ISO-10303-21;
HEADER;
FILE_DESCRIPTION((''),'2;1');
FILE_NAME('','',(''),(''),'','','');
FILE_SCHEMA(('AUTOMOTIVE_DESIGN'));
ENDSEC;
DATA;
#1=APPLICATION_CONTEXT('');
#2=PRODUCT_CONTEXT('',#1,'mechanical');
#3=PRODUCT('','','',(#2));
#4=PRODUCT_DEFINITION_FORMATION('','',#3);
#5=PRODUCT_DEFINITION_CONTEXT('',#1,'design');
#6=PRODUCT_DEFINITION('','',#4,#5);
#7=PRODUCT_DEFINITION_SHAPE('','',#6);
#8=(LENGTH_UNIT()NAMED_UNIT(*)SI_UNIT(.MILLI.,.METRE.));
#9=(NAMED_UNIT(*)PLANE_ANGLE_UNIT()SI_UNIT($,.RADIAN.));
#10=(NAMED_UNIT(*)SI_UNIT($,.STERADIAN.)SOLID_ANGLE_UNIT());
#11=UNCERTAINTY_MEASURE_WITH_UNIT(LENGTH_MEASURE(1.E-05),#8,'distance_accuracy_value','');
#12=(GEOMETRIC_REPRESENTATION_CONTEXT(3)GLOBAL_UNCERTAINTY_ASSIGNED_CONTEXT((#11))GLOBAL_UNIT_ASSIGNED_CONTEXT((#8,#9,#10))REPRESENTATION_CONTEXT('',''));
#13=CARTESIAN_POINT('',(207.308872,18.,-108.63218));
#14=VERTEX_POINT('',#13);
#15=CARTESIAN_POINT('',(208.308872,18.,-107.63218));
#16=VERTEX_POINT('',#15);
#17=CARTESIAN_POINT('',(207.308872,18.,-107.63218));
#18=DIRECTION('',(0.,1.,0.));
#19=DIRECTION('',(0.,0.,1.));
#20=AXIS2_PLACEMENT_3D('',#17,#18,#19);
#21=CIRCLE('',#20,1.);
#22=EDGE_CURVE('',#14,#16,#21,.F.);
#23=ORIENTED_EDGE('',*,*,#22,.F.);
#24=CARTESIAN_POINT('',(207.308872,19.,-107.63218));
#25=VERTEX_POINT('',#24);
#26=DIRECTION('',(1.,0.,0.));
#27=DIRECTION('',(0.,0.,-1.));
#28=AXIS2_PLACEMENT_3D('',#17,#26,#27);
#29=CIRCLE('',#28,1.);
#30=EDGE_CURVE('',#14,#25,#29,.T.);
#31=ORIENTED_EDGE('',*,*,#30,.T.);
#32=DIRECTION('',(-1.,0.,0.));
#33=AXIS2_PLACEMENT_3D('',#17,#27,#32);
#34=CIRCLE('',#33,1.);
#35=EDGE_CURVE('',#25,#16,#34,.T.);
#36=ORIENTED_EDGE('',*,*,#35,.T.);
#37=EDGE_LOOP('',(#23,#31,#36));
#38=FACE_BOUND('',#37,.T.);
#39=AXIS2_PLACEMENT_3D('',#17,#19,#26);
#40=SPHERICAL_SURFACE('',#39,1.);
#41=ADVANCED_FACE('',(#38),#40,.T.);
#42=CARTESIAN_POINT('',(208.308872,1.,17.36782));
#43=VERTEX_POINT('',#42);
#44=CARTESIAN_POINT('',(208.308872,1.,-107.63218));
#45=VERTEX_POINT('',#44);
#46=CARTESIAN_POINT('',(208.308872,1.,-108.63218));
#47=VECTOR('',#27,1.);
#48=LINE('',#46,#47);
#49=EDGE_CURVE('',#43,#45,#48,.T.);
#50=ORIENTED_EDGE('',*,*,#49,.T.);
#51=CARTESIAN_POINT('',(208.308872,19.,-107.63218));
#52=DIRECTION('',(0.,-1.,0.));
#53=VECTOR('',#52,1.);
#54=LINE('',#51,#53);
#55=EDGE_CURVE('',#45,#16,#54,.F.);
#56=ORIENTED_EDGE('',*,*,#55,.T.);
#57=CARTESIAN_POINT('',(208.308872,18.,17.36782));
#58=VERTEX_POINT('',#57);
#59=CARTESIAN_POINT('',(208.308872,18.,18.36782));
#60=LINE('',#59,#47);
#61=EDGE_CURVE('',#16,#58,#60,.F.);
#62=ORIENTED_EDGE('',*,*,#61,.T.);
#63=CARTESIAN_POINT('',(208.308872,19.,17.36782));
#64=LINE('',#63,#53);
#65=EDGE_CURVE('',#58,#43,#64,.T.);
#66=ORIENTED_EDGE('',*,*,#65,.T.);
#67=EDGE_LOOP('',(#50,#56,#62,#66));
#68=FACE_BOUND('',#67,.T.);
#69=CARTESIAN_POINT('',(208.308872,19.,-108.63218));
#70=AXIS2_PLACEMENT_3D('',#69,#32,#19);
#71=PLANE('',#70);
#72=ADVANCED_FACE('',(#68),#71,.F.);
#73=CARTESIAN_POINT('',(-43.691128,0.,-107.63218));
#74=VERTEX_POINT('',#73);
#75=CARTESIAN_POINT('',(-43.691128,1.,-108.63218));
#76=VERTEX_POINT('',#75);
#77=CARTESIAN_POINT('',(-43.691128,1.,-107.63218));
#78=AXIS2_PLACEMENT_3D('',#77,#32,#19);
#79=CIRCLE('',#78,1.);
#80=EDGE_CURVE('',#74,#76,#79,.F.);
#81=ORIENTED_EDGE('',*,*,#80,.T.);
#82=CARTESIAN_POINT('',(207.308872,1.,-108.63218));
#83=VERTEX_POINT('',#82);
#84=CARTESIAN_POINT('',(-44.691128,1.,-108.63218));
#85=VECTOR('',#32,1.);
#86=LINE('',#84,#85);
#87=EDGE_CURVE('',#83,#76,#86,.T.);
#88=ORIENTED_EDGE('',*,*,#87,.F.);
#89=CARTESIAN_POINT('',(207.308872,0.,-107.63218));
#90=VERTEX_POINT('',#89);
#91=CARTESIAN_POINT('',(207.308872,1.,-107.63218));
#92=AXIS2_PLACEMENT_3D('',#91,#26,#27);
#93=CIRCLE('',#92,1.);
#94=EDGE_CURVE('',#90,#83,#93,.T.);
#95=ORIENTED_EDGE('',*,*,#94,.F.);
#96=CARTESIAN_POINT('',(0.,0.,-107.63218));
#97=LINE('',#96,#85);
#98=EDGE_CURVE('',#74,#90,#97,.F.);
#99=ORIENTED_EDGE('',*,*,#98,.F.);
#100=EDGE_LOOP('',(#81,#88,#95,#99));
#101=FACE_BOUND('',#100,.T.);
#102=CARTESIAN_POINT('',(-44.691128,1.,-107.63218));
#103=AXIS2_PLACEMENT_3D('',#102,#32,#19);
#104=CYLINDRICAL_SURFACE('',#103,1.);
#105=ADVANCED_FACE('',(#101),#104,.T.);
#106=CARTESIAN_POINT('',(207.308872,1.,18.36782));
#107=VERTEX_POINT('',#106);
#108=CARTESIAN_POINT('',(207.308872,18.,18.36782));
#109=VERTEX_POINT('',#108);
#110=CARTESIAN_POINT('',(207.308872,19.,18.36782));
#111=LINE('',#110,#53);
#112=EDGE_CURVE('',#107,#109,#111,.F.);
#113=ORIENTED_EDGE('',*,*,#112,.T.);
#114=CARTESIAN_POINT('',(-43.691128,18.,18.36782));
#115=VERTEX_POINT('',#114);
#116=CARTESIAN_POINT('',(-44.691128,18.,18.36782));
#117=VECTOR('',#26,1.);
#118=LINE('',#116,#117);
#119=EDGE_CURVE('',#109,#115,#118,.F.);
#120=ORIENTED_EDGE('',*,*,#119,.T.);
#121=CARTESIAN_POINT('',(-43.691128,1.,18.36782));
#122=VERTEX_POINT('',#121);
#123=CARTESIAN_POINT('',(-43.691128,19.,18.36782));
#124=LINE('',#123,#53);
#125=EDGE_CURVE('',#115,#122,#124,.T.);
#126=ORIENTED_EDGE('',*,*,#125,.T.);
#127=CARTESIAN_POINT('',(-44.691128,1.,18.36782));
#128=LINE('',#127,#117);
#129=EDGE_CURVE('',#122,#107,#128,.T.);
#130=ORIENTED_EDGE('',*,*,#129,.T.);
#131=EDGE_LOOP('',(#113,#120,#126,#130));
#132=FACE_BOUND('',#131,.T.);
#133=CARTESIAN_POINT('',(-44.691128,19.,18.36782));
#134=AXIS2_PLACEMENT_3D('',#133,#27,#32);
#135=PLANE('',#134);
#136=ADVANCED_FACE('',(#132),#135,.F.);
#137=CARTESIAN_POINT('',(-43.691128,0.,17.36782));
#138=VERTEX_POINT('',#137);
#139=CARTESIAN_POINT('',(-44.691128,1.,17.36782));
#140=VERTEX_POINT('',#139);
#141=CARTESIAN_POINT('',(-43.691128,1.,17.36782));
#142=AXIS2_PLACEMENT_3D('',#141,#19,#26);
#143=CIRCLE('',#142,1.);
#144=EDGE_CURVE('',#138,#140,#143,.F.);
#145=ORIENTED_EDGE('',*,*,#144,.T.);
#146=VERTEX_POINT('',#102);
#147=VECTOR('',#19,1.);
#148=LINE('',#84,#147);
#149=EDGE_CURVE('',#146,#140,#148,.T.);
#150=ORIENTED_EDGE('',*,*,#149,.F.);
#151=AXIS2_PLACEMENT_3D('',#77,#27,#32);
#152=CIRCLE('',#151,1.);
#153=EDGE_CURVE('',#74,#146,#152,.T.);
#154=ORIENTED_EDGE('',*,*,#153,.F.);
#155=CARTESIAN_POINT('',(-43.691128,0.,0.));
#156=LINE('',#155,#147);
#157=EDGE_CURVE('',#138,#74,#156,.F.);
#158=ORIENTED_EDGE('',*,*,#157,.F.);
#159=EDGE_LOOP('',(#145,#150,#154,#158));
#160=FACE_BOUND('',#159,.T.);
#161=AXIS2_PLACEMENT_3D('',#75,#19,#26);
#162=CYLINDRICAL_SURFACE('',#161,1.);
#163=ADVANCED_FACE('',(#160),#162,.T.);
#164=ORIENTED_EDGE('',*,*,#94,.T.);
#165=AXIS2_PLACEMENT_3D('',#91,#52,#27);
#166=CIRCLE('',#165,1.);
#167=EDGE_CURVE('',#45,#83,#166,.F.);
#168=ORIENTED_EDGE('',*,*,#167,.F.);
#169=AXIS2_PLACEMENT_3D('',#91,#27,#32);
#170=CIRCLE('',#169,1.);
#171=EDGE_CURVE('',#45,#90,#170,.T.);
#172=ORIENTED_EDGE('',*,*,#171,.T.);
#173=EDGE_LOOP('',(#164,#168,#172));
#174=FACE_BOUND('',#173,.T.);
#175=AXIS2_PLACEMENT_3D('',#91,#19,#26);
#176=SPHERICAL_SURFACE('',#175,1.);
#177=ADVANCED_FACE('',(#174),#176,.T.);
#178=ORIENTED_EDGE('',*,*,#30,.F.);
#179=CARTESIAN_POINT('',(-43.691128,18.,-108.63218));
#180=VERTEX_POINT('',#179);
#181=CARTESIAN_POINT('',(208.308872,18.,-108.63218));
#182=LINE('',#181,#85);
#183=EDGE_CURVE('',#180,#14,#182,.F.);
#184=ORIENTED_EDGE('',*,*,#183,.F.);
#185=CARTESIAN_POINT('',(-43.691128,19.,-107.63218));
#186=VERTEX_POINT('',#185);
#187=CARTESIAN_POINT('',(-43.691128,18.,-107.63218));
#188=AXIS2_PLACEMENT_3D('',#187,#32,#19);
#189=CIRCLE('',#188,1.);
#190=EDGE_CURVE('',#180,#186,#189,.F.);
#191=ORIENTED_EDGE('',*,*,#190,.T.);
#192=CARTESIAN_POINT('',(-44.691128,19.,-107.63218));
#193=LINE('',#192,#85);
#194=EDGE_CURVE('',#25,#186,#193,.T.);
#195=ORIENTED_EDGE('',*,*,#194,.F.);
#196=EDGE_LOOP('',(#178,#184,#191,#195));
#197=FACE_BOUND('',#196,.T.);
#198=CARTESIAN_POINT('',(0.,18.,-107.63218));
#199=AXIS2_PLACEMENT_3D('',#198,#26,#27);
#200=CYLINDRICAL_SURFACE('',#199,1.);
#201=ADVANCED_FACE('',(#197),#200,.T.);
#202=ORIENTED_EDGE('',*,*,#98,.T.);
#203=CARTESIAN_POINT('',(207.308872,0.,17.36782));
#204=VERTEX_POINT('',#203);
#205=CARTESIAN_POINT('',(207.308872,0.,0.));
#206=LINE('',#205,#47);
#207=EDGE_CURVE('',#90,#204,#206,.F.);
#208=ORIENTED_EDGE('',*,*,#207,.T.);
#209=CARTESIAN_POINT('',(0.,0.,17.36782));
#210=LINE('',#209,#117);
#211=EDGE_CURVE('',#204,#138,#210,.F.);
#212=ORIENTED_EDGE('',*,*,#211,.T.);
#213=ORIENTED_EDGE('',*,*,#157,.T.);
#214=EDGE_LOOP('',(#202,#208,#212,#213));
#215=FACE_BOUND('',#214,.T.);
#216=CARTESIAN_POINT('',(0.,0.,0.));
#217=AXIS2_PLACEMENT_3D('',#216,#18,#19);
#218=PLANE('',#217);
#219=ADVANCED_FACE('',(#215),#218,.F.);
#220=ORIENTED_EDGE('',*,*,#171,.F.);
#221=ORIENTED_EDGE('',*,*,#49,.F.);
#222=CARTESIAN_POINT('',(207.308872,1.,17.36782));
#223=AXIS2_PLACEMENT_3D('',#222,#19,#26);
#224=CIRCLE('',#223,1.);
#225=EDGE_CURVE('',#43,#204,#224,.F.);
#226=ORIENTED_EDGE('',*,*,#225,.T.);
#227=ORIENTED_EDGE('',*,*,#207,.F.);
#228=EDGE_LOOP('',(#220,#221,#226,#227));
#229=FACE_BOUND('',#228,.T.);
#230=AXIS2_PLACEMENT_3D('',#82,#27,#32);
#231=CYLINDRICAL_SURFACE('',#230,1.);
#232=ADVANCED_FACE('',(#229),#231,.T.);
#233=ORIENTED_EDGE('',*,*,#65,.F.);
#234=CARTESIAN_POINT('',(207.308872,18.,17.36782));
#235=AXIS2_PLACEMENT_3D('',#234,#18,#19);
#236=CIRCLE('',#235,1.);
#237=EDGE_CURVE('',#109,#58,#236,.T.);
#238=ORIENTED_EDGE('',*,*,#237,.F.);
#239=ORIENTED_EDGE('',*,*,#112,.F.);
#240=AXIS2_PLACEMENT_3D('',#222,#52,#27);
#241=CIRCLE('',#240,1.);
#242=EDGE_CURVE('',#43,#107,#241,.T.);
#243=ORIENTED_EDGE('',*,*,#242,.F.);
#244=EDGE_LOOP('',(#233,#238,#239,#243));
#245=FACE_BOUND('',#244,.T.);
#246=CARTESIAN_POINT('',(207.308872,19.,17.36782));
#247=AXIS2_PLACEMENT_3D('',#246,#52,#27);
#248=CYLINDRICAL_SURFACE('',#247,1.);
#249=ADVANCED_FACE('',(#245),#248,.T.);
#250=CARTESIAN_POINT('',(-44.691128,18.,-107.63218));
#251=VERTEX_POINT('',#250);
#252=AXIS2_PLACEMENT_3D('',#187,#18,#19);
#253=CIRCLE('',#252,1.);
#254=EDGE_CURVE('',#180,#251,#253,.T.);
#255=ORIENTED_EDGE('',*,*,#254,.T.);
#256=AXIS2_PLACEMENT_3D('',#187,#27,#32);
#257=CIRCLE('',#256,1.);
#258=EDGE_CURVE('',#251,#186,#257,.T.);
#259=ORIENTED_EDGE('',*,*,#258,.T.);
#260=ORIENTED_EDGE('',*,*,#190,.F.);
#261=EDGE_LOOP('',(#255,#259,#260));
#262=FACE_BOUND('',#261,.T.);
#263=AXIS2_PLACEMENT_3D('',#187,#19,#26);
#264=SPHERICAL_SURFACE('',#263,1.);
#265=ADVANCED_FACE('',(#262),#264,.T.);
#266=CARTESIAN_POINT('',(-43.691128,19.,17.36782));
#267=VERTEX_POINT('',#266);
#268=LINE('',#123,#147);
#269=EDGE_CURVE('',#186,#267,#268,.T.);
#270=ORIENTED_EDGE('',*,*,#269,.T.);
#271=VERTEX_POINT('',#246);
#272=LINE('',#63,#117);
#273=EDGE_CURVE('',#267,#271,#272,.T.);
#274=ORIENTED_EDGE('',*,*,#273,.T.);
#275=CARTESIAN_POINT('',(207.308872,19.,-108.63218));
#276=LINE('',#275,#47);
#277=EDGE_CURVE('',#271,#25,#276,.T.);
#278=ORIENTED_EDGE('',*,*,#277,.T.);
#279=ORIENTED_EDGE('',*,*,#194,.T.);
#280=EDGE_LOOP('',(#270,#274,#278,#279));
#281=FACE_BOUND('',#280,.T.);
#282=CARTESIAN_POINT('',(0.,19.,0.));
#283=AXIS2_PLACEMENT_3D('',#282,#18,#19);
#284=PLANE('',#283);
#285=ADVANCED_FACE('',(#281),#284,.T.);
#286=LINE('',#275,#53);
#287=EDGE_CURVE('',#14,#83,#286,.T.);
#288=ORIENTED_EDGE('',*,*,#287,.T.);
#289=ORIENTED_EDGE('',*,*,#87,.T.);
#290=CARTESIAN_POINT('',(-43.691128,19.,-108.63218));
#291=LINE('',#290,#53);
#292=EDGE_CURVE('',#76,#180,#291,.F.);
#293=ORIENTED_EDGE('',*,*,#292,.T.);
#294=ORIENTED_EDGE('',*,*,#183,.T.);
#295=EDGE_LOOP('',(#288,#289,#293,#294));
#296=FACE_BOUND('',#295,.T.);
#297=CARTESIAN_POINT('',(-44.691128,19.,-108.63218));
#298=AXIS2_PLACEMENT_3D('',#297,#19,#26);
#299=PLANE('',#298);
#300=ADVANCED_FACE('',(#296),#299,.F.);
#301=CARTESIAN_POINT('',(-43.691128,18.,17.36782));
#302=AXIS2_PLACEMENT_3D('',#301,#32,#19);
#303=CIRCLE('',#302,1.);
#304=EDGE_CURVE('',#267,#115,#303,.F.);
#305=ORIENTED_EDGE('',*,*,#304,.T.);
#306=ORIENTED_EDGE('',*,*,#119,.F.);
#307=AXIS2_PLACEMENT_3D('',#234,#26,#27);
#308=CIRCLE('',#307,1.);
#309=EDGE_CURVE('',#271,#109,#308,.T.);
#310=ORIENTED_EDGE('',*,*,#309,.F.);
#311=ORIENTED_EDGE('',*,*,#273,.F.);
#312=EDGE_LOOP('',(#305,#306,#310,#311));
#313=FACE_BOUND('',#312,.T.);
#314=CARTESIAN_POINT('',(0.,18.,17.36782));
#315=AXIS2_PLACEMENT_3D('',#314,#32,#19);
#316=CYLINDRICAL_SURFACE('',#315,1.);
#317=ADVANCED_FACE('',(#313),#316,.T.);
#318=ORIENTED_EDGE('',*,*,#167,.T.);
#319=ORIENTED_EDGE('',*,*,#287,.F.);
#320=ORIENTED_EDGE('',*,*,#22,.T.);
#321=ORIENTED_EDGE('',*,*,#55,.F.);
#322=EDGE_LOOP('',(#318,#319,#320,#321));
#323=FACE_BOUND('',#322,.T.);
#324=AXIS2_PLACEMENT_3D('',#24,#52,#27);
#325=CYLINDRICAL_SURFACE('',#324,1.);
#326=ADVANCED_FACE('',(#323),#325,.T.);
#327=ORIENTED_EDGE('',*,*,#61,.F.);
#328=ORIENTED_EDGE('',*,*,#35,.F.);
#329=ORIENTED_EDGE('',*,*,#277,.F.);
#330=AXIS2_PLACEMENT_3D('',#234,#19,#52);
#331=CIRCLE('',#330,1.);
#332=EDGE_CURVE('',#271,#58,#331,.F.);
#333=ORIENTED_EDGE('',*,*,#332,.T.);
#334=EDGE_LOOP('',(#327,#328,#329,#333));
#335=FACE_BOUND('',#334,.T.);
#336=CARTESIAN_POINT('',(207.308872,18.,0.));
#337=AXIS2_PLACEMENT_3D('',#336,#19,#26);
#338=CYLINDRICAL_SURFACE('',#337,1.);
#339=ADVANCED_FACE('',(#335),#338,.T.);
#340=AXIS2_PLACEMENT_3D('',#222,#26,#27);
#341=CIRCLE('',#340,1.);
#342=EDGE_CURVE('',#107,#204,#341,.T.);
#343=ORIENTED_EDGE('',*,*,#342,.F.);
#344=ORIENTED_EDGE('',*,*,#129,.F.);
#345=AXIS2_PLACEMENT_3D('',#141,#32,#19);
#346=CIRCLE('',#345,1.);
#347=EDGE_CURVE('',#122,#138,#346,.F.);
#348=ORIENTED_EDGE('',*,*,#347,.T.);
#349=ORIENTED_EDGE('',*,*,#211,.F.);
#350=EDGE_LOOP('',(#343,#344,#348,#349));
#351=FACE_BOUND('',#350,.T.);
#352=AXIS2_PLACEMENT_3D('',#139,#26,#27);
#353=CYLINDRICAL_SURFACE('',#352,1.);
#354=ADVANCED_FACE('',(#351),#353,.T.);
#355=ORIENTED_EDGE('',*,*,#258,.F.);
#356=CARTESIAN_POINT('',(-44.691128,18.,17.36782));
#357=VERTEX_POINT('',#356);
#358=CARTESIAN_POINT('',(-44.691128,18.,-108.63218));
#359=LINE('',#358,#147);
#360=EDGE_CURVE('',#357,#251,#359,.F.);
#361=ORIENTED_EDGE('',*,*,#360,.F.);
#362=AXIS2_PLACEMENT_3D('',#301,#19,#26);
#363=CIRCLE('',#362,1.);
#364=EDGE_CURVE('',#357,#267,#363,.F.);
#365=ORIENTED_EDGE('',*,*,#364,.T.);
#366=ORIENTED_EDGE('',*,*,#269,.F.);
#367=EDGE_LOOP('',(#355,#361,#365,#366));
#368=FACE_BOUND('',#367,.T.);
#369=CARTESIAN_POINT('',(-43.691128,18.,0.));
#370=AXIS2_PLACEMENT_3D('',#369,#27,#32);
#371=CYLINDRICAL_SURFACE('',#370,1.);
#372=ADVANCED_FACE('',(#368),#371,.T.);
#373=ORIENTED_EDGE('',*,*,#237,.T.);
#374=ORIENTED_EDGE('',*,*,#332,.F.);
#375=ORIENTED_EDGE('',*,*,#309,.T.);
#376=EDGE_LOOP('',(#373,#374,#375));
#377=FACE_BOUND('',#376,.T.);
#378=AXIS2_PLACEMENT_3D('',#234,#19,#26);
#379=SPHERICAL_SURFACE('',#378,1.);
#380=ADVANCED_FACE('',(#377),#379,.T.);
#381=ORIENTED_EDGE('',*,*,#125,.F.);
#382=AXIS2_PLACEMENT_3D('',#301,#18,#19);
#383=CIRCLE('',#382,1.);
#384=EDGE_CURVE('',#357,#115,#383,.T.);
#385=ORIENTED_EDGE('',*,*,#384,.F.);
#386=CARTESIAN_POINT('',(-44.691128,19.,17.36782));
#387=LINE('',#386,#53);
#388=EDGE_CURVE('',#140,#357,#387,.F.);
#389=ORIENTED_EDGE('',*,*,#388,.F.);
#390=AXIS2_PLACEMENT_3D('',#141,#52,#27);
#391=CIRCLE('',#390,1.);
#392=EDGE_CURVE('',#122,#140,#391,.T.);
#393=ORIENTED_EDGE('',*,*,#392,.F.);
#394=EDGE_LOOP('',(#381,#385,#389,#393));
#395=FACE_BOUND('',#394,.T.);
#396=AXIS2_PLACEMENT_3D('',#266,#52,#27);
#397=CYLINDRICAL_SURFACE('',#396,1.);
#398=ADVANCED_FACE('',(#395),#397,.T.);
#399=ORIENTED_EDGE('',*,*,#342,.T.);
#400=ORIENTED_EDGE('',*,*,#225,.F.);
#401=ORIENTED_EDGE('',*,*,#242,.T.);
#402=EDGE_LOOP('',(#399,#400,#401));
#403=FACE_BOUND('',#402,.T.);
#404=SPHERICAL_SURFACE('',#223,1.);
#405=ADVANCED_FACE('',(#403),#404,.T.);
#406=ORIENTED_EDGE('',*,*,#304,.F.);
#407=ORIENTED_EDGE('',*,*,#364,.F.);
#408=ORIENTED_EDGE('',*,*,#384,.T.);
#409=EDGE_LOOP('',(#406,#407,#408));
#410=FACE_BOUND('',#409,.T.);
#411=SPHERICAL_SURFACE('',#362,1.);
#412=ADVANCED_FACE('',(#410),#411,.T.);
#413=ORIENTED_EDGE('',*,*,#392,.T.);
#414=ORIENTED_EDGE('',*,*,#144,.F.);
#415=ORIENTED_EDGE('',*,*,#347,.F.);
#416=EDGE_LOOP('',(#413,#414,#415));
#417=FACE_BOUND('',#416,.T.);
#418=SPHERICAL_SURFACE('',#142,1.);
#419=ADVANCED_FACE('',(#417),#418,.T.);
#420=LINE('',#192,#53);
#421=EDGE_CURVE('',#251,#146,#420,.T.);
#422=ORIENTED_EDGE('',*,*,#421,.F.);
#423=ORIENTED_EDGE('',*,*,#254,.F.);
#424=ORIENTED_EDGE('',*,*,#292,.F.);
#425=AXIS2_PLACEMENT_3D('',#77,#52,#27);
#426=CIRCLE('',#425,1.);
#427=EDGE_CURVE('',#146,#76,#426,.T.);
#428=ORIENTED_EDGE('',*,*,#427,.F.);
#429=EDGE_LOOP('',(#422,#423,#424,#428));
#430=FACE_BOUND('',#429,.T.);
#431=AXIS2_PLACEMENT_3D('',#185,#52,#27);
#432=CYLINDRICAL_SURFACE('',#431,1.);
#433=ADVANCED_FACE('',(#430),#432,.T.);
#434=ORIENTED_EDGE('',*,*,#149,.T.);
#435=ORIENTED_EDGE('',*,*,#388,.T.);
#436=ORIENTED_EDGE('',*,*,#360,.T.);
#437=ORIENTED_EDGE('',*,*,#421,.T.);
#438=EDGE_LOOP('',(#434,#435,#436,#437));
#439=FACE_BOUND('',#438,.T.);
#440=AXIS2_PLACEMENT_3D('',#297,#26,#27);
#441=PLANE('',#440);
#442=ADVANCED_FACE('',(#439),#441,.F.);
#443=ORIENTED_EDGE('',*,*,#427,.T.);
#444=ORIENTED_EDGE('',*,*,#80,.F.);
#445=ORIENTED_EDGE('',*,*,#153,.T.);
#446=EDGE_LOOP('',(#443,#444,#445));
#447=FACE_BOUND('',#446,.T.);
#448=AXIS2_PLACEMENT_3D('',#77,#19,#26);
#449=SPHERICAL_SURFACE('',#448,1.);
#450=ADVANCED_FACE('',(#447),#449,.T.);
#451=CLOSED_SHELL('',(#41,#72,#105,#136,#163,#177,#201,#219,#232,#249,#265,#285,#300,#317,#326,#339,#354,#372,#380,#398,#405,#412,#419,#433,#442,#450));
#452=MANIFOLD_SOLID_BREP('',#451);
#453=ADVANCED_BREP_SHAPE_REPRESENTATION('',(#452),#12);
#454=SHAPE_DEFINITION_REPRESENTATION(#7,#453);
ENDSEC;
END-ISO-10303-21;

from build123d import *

# Parameters (mm, degrees)
SKETCH1_W           = 253
SKETCH1_H           = 127
BOSS_EXTRUDE1_DEPTH = 19
FILLET1_R           = 1


with BuildPart() as part:
    # Sketch1 → Boss-Extrude1 (new body)
    with BuildSketch(Plane(origin=(0, 0, 0), x_dir=(1, 0, 0), z_dir=(0, 1, 0))):
        with Locations((81.80887218, 45.132180451)):
            Rectangle(SKETCH1_W, SKETCH1_H)
    extrude(amount=BOSS_EXTRUDE1_DEPTH)

    # Fillet1
    fillet1_edges = [part.edges().sort_by_distance(p)[0] for p in [
        (208.30887218, 19, -45.132180451),
        (81.80887218, 19, -108.632180451),
        (-44.69112782, 19, -45.132180451),
        (81.80887218, 0, -108.632180451),
        (208.30887218, 0, -45.132180451),
        (81.80887218, 0, 18.367819549),
        (-44.69112782, 0, -45.132180451),
        (-44.69112782, 9.5, -108.632180451),
        (208.30887218, 9.5, -108.632180451),
        (208.30887218, 9.5, 18.367819549),
        (-44.69112782, 9.5, 18.367819549),
        (81.80887218, 19, 18.367819549),
    ]]
    fillet(fillet1_edges, radius=FILLET1_R)


solid = part.part
